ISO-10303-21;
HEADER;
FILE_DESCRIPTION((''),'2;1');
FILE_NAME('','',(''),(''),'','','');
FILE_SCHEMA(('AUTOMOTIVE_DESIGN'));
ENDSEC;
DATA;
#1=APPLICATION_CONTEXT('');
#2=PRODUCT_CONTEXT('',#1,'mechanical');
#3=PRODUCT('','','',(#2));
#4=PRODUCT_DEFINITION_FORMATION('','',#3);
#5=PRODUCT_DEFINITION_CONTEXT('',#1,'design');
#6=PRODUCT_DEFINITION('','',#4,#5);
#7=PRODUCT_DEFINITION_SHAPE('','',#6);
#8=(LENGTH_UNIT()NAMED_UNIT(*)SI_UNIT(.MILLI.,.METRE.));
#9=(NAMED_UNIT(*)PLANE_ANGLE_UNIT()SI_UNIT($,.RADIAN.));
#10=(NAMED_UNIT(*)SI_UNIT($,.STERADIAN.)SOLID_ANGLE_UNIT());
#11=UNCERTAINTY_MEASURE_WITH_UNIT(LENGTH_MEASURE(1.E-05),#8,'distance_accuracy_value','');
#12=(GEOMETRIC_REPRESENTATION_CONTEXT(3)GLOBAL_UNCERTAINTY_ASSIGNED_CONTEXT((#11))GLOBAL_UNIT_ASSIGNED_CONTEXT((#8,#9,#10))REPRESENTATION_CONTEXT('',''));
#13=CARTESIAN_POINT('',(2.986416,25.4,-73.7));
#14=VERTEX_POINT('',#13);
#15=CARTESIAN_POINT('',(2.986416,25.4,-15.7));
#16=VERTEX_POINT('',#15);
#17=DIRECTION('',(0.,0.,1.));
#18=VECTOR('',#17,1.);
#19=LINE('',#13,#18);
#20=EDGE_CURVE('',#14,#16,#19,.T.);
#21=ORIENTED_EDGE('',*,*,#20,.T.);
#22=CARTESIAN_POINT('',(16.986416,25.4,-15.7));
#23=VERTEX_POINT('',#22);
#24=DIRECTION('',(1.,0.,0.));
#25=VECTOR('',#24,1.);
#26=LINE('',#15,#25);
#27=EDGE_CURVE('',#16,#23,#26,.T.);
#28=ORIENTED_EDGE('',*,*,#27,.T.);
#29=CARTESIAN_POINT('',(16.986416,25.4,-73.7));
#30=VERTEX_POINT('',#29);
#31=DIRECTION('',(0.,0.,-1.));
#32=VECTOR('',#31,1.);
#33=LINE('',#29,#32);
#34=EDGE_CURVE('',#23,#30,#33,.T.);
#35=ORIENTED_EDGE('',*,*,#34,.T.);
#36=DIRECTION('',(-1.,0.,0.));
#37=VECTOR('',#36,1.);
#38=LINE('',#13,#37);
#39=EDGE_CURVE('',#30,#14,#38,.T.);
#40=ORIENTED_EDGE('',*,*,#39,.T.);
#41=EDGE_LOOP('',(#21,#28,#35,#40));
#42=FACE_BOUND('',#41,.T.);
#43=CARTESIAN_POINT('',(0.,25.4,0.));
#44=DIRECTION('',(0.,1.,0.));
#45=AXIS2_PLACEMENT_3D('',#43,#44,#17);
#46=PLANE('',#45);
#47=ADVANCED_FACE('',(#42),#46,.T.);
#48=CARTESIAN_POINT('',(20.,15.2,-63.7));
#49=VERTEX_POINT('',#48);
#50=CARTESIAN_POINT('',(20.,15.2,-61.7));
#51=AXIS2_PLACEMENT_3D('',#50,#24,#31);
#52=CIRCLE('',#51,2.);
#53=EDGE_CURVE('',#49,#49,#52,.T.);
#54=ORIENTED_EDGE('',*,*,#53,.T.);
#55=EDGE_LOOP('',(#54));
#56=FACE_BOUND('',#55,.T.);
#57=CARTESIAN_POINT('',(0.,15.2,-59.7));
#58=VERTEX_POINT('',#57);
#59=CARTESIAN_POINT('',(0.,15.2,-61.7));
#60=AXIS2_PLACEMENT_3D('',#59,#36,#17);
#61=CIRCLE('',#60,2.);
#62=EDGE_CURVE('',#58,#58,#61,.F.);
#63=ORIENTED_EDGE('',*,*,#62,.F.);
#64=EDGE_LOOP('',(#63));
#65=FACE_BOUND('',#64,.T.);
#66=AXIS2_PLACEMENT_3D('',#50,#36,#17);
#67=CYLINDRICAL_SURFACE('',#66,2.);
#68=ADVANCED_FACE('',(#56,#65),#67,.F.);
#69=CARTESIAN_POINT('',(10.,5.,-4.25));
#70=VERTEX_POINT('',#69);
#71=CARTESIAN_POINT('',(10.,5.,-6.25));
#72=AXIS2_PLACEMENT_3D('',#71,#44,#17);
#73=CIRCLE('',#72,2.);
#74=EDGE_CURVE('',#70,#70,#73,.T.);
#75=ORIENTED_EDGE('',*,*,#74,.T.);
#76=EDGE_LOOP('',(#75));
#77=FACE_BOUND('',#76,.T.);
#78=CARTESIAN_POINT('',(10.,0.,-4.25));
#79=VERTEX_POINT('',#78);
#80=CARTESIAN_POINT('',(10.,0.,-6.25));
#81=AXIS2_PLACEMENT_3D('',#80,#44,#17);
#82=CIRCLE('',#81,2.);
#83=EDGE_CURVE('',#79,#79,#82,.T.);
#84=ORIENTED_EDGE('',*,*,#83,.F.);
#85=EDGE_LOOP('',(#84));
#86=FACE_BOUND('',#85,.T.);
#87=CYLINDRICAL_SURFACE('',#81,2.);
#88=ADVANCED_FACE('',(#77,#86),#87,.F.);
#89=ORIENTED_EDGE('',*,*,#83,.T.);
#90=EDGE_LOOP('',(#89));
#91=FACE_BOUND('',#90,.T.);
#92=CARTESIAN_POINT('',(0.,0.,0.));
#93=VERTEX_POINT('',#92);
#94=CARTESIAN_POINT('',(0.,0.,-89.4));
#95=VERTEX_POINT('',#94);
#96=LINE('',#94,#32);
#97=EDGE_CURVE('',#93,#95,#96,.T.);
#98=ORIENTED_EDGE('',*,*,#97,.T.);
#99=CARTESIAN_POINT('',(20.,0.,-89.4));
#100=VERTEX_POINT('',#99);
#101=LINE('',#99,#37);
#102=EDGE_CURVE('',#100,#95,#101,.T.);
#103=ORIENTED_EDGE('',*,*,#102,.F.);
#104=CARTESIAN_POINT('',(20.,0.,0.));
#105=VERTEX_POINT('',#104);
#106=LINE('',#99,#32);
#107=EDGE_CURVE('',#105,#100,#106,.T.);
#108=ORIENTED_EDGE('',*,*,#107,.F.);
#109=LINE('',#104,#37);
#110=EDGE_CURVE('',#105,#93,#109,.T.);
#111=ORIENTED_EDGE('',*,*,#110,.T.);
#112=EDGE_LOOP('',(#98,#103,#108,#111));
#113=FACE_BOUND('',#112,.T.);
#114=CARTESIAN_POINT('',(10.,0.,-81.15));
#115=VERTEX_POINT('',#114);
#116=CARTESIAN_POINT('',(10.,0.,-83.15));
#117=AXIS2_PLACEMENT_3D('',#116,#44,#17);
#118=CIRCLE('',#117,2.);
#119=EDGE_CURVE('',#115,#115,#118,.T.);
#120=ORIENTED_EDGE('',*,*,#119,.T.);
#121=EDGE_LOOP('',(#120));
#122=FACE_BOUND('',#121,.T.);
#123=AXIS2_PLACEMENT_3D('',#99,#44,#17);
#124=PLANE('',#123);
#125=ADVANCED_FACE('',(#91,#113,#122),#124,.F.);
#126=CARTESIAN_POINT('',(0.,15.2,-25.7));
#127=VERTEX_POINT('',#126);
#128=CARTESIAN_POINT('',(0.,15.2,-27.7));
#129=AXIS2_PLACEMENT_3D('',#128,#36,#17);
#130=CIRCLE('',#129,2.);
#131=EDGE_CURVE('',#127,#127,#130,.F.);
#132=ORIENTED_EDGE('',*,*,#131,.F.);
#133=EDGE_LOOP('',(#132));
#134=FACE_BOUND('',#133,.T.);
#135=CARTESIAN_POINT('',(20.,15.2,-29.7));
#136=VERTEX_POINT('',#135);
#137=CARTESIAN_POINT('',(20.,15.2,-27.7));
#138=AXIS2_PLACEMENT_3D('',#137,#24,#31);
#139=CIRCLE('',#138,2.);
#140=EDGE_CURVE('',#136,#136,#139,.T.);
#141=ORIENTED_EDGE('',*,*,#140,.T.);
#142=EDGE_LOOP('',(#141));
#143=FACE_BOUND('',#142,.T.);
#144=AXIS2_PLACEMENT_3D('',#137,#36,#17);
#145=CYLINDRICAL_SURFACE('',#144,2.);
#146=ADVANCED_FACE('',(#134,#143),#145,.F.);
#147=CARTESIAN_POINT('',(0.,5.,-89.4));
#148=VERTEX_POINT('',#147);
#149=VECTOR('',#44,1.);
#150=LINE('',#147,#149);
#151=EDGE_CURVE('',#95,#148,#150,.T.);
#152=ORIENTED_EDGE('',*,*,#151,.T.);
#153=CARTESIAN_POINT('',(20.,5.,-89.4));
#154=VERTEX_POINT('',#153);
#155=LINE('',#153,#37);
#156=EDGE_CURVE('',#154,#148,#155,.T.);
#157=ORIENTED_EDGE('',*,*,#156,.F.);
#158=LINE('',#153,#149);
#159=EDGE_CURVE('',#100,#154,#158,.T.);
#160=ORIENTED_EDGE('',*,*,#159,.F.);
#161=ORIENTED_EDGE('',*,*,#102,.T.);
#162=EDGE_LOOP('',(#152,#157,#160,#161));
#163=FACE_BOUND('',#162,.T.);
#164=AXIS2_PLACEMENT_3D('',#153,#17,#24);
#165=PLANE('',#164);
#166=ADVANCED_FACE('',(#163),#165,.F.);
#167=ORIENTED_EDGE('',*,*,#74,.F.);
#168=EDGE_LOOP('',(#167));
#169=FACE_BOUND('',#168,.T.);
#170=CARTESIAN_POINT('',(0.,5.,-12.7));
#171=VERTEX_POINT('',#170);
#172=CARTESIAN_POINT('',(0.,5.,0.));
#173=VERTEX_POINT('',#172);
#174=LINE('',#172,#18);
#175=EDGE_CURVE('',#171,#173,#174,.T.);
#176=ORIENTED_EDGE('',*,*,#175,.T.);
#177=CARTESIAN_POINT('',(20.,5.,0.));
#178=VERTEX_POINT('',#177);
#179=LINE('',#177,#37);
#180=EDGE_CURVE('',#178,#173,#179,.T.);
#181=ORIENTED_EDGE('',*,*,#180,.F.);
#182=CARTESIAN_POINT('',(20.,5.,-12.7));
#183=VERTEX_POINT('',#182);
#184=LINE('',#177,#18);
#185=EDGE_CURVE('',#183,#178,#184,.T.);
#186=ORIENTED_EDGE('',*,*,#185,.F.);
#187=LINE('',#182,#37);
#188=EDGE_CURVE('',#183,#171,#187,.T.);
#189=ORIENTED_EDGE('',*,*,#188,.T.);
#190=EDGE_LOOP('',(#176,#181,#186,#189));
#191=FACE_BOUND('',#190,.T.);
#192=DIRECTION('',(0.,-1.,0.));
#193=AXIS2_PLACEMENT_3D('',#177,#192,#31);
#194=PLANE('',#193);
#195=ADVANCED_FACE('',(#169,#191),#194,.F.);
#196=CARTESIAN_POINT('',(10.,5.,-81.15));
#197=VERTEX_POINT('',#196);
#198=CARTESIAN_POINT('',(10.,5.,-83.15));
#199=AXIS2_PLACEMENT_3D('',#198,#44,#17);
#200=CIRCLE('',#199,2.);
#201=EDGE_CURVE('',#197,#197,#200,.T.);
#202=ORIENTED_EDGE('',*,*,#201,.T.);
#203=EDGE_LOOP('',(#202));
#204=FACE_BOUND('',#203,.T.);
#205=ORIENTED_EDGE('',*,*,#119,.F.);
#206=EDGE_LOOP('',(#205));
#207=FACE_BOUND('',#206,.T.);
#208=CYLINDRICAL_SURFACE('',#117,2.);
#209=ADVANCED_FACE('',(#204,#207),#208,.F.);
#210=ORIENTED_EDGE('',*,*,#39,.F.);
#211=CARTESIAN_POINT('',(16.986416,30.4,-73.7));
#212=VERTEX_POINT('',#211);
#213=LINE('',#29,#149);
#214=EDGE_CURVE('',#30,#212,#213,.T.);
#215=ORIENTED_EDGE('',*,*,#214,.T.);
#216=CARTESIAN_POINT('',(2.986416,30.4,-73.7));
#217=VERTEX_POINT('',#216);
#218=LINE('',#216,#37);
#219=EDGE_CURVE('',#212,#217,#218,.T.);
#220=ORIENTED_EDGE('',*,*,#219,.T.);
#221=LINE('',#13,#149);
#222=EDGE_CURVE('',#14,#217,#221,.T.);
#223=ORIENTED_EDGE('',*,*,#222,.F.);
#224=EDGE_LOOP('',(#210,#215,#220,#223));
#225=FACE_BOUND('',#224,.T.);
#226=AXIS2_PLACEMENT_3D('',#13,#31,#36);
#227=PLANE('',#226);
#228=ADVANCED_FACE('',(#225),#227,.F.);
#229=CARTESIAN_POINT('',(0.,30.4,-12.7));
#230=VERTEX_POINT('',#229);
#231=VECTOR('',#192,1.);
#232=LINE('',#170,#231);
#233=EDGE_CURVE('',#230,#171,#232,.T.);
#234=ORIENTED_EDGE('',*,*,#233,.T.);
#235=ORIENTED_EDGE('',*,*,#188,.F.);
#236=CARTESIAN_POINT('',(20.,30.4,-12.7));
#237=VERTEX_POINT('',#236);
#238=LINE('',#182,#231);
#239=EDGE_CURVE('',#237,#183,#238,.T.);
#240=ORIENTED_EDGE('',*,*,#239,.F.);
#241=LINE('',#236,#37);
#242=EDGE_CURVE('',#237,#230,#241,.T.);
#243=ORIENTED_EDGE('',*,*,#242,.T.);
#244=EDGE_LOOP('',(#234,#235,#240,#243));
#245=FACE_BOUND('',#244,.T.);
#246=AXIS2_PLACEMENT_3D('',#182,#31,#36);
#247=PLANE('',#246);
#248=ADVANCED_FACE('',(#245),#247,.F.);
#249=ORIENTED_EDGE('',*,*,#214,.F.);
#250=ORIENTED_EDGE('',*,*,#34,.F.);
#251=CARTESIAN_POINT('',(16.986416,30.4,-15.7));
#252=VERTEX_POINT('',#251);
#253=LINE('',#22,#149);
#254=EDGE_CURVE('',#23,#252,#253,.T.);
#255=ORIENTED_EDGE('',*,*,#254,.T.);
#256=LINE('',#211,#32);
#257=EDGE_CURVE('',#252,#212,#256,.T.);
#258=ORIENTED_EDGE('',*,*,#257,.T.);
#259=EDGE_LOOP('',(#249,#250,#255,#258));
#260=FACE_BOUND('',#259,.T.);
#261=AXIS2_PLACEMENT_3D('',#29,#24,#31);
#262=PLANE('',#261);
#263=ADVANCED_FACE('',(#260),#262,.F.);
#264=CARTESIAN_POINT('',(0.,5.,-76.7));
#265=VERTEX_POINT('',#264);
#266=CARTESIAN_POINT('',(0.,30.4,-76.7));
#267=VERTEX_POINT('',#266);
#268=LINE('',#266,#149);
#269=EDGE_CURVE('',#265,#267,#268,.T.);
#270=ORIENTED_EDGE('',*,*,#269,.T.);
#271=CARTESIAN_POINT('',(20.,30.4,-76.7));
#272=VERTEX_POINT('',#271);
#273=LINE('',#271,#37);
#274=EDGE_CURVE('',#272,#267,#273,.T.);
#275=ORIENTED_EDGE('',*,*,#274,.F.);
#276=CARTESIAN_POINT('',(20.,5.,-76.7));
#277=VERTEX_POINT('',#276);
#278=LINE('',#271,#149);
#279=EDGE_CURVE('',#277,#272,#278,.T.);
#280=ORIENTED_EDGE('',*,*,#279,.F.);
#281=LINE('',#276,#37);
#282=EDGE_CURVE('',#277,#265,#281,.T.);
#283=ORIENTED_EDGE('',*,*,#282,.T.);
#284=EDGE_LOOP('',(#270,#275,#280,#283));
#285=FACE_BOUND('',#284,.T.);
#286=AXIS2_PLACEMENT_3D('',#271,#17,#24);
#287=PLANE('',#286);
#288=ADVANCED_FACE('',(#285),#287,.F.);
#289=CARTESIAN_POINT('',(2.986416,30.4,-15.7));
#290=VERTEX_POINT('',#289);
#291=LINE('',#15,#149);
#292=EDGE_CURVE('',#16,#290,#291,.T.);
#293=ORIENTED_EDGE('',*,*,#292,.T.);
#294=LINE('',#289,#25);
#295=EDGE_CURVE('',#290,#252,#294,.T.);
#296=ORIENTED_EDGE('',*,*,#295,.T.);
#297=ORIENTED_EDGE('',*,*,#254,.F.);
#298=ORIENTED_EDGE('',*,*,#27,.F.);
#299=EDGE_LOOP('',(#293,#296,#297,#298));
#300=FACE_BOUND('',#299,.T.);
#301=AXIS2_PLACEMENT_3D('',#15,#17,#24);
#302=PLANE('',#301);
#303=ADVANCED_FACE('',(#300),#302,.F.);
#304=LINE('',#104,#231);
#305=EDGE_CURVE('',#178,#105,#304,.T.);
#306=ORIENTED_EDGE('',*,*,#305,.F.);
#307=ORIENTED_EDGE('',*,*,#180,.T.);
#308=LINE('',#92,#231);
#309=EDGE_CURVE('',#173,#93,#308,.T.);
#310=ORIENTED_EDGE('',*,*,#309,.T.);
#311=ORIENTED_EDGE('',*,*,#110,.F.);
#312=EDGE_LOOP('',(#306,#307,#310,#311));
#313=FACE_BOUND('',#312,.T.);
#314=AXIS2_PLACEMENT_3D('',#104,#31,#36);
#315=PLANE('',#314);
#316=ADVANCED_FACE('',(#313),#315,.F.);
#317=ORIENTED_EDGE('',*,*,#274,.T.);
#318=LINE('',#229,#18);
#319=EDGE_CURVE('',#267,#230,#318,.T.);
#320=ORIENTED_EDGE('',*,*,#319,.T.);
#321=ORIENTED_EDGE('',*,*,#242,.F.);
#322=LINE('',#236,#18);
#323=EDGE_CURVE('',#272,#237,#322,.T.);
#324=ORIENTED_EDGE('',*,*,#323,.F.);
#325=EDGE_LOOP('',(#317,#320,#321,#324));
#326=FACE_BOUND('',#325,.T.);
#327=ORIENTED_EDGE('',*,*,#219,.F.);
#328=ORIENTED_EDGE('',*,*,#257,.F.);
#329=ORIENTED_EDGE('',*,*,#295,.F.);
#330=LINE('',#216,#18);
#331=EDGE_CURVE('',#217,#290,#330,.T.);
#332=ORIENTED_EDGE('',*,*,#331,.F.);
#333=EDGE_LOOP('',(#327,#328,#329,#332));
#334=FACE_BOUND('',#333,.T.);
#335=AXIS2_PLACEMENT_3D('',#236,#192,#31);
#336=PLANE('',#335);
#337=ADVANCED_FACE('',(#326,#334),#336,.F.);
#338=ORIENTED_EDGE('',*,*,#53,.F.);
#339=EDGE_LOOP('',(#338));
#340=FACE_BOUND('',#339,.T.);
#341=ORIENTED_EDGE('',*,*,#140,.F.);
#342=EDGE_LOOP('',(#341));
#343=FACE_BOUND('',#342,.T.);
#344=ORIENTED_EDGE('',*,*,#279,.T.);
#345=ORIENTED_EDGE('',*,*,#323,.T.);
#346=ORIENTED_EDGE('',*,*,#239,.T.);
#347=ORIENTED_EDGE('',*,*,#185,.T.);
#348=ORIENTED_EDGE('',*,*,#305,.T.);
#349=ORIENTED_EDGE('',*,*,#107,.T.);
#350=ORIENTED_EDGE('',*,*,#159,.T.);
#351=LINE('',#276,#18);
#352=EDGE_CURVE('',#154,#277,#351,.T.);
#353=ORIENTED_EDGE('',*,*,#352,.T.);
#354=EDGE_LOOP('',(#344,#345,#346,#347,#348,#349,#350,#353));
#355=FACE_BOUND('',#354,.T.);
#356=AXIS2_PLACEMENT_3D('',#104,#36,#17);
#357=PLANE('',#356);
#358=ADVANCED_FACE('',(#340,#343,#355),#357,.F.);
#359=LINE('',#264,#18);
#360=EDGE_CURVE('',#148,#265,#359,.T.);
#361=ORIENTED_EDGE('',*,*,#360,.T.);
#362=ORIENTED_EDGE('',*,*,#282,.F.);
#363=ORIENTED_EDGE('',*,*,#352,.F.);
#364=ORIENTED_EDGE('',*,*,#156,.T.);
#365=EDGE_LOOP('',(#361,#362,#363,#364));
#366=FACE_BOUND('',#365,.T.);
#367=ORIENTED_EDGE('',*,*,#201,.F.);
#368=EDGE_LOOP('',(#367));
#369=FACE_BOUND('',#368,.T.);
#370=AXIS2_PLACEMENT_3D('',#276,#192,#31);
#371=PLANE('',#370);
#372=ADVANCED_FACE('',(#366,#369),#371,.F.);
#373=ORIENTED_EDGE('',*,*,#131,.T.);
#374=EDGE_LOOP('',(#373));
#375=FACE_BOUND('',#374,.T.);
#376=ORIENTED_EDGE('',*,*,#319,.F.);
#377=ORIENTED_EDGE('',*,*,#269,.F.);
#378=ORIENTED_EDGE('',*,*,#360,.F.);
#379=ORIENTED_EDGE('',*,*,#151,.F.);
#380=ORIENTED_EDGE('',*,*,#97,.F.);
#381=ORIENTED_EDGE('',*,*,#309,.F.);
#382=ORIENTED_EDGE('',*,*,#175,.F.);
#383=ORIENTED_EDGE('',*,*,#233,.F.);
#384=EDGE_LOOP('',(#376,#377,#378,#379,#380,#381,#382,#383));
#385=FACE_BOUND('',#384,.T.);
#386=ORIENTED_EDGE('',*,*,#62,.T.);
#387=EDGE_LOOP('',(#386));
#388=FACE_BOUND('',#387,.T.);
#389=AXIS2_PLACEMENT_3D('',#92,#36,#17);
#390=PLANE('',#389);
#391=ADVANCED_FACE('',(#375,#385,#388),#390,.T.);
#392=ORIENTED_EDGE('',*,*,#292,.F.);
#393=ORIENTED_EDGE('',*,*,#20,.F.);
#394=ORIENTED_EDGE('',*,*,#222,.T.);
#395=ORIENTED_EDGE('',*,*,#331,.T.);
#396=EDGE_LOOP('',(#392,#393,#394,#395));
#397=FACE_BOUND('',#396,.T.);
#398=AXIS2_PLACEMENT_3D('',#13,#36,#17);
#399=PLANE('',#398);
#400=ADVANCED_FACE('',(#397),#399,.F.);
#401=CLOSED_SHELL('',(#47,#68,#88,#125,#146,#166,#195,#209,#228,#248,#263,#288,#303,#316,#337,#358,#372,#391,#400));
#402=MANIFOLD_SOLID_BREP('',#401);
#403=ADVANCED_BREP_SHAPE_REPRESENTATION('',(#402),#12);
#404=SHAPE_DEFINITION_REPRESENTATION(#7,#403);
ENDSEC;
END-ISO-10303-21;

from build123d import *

# Parameters (mm, degrees)
BOSS_EXTRUDE1_DEPTH     = 20
SKETCH4_W               = 14
SKETCH4_H               = 58
CUT_EXTRUDE1_DEPTH      = 5
SKETCH5_R               = 2
CUT_EXTRUDE2_DEPTH      = 5
CUT_EXTRUDE3_DEPTH      = 97.522121817
CUT_EXTRUDE3_DEPTH_BACK = 5
SKETCH6_R               = 2


with BuildPart() as part:
    # Sketch1 → Boss-Extrude1 (new body)
    with BuildSketch(Plane(origin=(0, 0, 0), x_dir=(0, 0, -1), z_dir=(1, 0, 0))):
        Polygon((0, 0), (0, 5), (12.7, 5), (12.7, 30.4), (76.7, 30.4), (76.7, 5), (89.4, 5), (89.4, 0), align=None)
    extrude(amount=BOSS_EXTRUDE1_DEPTH)

    # Sketch4 → Cut-Extrude1 (cut)
    with BuildSketch(Plane(origin=(0, 30.4, 0), x_dir=(1, 0, 0), z_dir=(0, 1, 0))):
        with Locations((9.986416009, 44.7)):
            Rectangle(SKETCH4_W, SKETCH4_H)
    extrude(amount=-CUT_EXTRUDE1_DEPTH, mode=Mode.SUBTRACT)

    # Sketch5 → Cut-Extrude2 (cut)
    with BuildSketch(Plane(origin=(0, 5, 0), x_dir=(1, 0, 0), z_dir=(0, 1, 0))):
        with Locations(Location((10, 83.15, 0), (0, 0, 270))):
            Circle(SKETCH5_R)
        with Locations(Location((10, 6.25, 0), (0, 0, 270))):
            Circle(SKETCH5_R)
    extrude(amount=-CUT_EXTRUDE2_DEPTH, mode=Mode.SUBTRACT)

    # Sketch6 → Cut-Extrude3 (cut, two sides: drawn at the far end of the back side and taken through both)
    with BuildSketch(Plane(origin=(0, 0, 0), x_dir=(0, 0, -1), z_dir=(1, 0, 0)).offset(-CUT_EXTRUDE3_DEPTH_BACK)):
        with Locations(Location((27.7, 15.2, 0), (0, 0, 180))):
            Circle(SKETCH6_R)
        with Locations(Location((61.7, 15.2, 0), (0, 0, 180))):
            Circle(SKETCH6_R)
    extrude(amount=CUT_EXTRUDE3_DEPTH + CUT_EXTRUDE3_DEPTH_BACK, mode=Mode.SUBTRACT)


solid = part.part
